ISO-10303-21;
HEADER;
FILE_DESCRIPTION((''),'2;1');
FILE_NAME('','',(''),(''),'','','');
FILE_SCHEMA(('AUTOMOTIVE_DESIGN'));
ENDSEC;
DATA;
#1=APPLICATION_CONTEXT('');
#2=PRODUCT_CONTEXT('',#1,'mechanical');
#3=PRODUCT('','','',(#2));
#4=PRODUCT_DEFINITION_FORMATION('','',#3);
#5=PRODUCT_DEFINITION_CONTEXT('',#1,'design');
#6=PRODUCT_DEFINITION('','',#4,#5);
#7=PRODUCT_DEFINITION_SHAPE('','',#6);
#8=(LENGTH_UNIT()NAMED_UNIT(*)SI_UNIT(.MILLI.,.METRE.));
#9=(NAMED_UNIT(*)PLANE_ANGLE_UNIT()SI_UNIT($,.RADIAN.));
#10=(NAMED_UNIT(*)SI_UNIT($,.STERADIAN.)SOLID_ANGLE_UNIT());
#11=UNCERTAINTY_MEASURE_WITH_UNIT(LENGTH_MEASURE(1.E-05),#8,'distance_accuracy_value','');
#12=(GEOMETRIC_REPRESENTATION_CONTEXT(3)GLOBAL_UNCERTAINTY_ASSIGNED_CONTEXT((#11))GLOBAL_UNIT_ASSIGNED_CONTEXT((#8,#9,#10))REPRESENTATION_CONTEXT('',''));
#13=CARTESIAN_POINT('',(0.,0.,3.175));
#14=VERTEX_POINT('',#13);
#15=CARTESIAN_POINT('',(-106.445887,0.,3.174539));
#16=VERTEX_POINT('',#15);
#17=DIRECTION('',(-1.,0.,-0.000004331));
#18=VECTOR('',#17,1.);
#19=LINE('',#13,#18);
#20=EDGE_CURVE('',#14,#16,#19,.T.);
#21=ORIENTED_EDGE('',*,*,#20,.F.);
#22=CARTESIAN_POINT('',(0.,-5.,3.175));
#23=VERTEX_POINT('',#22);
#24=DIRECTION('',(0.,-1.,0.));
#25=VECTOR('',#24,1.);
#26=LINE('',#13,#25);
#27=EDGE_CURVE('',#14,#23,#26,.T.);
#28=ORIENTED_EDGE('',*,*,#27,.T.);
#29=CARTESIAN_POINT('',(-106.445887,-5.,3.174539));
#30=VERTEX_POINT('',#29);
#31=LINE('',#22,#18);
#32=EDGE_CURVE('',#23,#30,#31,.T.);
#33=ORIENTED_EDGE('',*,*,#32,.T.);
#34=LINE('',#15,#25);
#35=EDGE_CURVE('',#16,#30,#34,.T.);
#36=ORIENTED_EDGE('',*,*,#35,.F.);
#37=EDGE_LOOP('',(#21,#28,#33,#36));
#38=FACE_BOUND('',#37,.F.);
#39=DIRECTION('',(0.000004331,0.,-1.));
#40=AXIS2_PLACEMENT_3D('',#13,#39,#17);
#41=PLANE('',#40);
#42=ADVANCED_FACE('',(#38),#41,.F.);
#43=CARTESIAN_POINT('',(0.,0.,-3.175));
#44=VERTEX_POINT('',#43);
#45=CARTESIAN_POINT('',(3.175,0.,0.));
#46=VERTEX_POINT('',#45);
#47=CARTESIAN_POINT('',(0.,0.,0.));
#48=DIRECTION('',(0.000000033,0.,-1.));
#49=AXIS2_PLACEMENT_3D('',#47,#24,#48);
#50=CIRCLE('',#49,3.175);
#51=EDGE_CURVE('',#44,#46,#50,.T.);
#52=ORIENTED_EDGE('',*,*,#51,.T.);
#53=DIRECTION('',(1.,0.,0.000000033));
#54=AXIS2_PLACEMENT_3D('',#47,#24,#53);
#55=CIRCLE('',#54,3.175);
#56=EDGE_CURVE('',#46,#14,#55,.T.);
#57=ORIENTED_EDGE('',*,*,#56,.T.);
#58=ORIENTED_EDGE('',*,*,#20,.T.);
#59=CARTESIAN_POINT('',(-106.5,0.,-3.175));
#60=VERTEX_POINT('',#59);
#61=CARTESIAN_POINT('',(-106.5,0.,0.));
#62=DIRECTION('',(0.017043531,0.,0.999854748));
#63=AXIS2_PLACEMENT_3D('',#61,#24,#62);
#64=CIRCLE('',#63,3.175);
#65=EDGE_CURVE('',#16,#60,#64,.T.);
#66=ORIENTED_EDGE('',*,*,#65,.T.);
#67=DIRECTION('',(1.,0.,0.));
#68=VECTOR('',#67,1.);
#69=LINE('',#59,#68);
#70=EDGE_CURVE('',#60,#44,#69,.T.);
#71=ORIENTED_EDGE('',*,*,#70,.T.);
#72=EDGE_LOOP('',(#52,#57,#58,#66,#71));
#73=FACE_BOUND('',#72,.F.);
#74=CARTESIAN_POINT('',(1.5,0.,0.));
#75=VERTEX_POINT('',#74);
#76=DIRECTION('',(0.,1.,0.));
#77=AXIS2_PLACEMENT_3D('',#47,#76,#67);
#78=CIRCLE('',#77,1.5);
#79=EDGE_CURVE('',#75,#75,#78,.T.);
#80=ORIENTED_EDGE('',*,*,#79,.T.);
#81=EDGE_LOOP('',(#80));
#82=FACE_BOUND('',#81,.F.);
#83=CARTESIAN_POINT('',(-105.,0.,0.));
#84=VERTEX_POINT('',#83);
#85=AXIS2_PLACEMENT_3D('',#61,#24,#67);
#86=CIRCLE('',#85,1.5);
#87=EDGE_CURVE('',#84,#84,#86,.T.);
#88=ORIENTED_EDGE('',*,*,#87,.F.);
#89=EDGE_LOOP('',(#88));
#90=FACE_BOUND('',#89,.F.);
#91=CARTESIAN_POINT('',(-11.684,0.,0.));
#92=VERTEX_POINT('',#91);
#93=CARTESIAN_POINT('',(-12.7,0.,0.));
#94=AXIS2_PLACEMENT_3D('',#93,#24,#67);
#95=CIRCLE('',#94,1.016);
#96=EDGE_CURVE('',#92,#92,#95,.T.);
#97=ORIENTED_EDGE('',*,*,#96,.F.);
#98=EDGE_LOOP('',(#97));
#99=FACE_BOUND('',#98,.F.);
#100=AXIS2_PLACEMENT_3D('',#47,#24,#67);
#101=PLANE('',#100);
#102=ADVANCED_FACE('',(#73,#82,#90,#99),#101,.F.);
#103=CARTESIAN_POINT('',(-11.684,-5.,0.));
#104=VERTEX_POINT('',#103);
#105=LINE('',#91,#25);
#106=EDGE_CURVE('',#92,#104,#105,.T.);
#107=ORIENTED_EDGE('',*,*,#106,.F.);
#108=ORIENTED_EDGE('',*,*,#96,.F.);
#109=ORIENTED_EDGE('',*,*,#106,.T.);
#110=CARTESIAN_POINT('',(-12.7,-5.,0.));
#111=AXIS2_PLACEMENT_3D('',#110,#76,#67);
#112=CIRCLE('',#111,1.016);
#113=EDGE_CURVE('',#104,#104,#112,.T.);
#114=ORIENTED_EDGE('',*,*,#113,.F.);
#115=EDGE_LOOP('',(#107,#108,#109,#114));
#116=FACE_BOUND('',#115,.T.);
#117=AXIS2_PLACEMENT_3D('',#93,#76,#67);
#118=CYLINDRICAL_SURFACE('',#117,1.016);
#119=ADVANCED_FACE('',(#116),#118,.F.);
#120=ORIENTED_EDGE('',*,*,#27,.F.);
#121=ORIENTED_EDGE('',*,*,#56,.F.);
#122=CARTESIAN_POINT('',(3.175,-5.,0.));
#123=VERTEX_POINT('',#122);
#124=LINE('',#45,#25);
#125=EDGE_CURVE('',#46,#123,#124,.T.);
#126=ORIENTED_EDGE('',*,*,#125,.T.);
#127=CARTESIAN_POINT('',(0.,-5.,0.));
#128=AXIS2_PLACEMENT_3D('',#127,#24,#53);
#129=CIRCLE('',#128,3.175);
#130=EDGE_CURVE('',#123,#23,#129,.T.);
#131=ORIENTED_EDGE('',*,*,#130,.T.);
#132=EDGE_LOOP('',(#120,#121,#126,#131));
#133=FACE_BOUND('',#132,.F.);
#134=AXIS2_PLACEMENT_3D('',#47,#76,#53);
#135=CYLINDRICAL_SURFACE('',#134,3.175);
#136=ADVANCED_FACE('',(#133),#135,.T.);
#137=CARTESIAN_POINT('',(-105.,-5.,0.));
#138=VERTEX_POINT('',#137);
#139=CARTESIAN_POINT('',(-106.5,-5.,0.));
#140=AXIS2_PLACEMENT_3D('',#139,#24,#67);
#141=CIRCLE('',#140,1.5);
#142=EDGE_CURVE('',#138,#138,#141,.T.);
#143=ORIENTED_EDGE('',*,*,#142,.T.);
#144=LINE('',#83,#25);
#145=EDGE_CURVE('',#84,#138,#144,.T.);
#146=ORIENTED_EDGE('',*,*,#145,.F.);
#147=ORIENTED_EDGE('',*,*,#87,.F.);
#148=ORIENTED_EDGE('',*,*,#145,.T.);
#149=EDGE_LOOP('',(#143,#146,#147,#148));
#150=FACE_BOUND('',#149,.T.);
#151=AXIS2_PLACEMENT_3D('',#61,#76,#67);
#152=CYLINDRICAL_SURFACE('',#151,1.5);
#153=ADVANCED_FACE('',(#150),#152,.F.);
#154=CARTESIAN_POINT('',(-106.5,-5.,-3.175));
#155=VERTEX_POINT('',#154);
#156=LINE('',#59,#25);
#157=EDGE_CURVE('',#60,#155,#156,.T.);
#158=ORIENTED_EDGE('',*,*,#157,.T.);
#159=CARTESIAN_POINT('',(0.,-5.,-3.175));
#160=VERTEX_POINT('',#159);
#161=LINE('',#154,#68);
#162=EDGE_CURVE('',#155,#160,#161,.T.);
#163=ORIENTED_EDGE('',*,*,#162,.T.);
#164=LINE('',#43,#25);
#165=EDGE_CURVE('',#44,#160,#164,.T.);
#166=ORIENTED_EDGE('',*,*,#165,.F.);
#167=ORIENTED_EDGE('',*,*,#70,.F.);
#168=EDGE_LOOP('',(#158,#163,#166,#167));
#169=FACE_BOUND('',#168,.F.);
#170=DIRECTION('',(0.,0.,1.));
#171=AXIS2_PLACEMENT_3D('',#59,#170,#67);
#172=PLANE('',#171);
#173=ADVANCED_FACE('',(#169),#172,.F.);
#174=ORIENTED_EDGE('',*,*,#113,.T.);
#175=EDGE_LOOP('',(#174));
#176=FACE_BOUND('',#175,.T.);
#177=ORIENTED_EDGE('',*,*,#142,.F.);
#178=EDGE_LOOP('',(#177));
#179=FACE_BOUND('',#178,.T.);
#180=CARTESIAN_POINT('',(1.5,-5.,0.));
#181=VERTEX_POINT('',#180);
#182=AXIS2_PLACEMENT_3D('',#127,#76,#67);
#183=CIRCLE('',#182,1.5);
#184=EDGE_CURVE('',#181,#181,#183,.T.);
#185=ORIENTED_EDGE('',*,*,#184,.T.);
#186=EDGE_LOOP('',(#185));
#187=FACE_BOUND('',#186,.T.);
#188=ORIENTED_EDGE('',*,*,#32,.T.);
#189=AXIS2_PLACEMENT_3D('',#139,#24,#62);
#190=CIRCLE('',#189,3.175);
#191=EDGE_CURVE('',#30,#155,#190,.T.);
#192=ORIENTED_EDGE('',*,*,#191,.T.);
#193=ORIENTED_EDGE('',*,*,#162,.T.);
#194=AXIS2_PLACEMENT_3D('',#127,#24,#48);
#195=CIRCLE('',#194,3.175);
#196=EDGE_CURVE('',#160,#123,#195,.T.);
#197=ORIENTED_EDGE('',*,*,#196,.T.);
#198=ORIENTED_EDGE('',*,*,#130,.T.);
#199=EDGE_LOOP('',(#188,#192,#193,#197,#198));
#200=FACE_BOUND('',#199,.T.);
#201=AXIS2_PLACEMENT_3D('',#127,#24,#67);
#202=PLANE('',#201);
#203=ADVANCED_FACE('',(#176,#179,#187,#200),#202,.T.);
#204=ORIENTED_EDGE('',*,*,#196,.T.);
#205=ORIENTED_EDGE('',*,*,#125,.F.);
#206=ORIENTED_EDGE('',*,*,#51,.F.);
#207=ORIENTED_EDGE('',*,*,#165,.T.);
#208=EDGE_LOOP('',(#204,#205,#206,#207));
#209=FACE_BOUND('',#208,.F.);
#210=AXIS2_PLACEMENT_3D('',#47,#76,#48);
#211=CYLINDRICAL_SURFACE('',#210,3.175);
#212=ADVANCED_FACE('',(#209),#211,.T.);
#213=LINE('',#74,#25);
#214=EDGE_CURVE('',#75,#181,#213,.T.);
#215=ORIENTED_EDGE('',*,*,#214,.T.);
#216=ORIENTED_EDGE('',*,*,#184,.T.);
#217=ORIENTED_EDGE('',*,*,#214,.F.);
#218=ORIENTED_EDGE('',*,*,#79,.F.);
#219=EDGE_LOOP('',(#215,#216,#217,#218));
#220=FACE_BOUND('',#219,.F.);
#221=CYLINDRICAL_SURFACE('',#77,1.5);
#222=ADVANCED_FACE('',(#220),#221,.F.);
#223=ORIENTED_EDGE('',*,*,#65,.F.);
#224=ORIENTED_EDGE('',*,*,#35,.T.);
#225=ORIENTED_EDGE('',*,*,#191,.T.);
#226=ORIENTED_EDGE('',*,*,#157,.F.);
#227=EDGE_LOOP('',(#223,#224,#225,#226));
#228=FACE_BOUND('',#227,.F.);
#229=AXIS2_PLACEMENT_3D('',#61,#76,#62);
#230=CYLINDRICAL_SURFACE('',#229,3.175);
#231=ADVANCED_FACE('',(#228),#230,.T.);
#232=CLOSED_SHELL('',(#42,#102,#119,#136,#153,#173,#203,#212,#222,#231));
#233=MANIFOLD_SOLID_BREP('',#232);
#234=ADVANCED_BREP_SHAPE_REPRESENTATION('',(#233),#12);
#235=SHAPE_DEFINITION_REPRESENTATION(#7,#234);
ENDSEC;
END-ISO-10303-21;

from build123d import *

# Parameters (mm, degrees)
F0_R     = 1.5
F1_DEPTH = 5
F2_R     = 1.016
F3_DEPTH = 25.4


with BuildPart() as f1:
    # F0 (on Front) → F1 (new body)
    with BuildSketch(Plane.XZ):
        with BuildLine():
            ThreePointArc((-1.5, 0), (0, -1.5), (1.5, 0))
            ThreePointArc((1.5, 0), (0, 1.5), (-1.5, 0))
        make_face()
        with BuildLine():
            ThreePointArc((0, 3.175), (-2.245064, 2.245064), (-3.175, 0))
            ThreePointArc((-3.175, 0), (-2.245064, -2.245064), (0, -3.175))
            ThreePointArc((0, -3.175), (2.245064, -2.245064), (3.175, 0))
            ThreePointArc((3.175, 0), (2.245064, 2.245064), (0, 3.175))
        make_face()
        with BuildLine():
            ThreePointArc((-1.5, 0), (0, 1.5), (1.5, 0))
            ThreePointArc((1.5, 0), (0, -1.5), (-1.5, 0))
        make_face(mode=Mode.SUBTRACT)
        with BuildLine():
            ThreePointArc((0, -3.175), (-2.245064, -2.245064), (-3.175, 0))
            Line((-3.175, 0), (-103.325, 0))
            ThreePointArc((-103.325, 0), (-104.254936, -2.245064), (-106.5, -3.175))
            Line((-106.5, -3.175), (0, -3.175))
        make_face()
        with BuildLine():
            Line((-103.325, 0), (-3.175, 0))
            ThreePointArc((-3.175, 0), (-2.245064, 2.245064), (0, 3.175))
            Line((0, 3.175), (-106.445887, 3.174539))
            ThreePointArc((-106.445887, 3.174539), (-104.235885, 2.22585), (-103.325, 0))
        make_face()
        with Locations((-106.5, 0)):
            Circle(F0_R)
        with BuildLine():
            ThreePointArc((-106.5, -3.175), (-104.254936, -2.245064), (-103.325, 0))
            ThreePointArc((-103.325, 0), (-104.235885, 2.22585), (-106.445887, 3.174539))
            ThreePointArc((-106.445887, 3.174539), (-109.674885, 0.027058), (-106.5, -3.175))
        make_face()
        with Locations((-106.5, 0)):
            Circle(F0_R, mode=Mode.SUBTRACT)
    extrude(amount=F1_DEPTH)

    # F2 (on Front) → F3 (cut)
    with BuildSketch(Plane.XZ):
        with Locations((-12.7, 0)):
            Circle(F2_R)
    extrude(amount=F3_DEPTH, mode=Mode.SUBTRACT)


solid = f1.part
